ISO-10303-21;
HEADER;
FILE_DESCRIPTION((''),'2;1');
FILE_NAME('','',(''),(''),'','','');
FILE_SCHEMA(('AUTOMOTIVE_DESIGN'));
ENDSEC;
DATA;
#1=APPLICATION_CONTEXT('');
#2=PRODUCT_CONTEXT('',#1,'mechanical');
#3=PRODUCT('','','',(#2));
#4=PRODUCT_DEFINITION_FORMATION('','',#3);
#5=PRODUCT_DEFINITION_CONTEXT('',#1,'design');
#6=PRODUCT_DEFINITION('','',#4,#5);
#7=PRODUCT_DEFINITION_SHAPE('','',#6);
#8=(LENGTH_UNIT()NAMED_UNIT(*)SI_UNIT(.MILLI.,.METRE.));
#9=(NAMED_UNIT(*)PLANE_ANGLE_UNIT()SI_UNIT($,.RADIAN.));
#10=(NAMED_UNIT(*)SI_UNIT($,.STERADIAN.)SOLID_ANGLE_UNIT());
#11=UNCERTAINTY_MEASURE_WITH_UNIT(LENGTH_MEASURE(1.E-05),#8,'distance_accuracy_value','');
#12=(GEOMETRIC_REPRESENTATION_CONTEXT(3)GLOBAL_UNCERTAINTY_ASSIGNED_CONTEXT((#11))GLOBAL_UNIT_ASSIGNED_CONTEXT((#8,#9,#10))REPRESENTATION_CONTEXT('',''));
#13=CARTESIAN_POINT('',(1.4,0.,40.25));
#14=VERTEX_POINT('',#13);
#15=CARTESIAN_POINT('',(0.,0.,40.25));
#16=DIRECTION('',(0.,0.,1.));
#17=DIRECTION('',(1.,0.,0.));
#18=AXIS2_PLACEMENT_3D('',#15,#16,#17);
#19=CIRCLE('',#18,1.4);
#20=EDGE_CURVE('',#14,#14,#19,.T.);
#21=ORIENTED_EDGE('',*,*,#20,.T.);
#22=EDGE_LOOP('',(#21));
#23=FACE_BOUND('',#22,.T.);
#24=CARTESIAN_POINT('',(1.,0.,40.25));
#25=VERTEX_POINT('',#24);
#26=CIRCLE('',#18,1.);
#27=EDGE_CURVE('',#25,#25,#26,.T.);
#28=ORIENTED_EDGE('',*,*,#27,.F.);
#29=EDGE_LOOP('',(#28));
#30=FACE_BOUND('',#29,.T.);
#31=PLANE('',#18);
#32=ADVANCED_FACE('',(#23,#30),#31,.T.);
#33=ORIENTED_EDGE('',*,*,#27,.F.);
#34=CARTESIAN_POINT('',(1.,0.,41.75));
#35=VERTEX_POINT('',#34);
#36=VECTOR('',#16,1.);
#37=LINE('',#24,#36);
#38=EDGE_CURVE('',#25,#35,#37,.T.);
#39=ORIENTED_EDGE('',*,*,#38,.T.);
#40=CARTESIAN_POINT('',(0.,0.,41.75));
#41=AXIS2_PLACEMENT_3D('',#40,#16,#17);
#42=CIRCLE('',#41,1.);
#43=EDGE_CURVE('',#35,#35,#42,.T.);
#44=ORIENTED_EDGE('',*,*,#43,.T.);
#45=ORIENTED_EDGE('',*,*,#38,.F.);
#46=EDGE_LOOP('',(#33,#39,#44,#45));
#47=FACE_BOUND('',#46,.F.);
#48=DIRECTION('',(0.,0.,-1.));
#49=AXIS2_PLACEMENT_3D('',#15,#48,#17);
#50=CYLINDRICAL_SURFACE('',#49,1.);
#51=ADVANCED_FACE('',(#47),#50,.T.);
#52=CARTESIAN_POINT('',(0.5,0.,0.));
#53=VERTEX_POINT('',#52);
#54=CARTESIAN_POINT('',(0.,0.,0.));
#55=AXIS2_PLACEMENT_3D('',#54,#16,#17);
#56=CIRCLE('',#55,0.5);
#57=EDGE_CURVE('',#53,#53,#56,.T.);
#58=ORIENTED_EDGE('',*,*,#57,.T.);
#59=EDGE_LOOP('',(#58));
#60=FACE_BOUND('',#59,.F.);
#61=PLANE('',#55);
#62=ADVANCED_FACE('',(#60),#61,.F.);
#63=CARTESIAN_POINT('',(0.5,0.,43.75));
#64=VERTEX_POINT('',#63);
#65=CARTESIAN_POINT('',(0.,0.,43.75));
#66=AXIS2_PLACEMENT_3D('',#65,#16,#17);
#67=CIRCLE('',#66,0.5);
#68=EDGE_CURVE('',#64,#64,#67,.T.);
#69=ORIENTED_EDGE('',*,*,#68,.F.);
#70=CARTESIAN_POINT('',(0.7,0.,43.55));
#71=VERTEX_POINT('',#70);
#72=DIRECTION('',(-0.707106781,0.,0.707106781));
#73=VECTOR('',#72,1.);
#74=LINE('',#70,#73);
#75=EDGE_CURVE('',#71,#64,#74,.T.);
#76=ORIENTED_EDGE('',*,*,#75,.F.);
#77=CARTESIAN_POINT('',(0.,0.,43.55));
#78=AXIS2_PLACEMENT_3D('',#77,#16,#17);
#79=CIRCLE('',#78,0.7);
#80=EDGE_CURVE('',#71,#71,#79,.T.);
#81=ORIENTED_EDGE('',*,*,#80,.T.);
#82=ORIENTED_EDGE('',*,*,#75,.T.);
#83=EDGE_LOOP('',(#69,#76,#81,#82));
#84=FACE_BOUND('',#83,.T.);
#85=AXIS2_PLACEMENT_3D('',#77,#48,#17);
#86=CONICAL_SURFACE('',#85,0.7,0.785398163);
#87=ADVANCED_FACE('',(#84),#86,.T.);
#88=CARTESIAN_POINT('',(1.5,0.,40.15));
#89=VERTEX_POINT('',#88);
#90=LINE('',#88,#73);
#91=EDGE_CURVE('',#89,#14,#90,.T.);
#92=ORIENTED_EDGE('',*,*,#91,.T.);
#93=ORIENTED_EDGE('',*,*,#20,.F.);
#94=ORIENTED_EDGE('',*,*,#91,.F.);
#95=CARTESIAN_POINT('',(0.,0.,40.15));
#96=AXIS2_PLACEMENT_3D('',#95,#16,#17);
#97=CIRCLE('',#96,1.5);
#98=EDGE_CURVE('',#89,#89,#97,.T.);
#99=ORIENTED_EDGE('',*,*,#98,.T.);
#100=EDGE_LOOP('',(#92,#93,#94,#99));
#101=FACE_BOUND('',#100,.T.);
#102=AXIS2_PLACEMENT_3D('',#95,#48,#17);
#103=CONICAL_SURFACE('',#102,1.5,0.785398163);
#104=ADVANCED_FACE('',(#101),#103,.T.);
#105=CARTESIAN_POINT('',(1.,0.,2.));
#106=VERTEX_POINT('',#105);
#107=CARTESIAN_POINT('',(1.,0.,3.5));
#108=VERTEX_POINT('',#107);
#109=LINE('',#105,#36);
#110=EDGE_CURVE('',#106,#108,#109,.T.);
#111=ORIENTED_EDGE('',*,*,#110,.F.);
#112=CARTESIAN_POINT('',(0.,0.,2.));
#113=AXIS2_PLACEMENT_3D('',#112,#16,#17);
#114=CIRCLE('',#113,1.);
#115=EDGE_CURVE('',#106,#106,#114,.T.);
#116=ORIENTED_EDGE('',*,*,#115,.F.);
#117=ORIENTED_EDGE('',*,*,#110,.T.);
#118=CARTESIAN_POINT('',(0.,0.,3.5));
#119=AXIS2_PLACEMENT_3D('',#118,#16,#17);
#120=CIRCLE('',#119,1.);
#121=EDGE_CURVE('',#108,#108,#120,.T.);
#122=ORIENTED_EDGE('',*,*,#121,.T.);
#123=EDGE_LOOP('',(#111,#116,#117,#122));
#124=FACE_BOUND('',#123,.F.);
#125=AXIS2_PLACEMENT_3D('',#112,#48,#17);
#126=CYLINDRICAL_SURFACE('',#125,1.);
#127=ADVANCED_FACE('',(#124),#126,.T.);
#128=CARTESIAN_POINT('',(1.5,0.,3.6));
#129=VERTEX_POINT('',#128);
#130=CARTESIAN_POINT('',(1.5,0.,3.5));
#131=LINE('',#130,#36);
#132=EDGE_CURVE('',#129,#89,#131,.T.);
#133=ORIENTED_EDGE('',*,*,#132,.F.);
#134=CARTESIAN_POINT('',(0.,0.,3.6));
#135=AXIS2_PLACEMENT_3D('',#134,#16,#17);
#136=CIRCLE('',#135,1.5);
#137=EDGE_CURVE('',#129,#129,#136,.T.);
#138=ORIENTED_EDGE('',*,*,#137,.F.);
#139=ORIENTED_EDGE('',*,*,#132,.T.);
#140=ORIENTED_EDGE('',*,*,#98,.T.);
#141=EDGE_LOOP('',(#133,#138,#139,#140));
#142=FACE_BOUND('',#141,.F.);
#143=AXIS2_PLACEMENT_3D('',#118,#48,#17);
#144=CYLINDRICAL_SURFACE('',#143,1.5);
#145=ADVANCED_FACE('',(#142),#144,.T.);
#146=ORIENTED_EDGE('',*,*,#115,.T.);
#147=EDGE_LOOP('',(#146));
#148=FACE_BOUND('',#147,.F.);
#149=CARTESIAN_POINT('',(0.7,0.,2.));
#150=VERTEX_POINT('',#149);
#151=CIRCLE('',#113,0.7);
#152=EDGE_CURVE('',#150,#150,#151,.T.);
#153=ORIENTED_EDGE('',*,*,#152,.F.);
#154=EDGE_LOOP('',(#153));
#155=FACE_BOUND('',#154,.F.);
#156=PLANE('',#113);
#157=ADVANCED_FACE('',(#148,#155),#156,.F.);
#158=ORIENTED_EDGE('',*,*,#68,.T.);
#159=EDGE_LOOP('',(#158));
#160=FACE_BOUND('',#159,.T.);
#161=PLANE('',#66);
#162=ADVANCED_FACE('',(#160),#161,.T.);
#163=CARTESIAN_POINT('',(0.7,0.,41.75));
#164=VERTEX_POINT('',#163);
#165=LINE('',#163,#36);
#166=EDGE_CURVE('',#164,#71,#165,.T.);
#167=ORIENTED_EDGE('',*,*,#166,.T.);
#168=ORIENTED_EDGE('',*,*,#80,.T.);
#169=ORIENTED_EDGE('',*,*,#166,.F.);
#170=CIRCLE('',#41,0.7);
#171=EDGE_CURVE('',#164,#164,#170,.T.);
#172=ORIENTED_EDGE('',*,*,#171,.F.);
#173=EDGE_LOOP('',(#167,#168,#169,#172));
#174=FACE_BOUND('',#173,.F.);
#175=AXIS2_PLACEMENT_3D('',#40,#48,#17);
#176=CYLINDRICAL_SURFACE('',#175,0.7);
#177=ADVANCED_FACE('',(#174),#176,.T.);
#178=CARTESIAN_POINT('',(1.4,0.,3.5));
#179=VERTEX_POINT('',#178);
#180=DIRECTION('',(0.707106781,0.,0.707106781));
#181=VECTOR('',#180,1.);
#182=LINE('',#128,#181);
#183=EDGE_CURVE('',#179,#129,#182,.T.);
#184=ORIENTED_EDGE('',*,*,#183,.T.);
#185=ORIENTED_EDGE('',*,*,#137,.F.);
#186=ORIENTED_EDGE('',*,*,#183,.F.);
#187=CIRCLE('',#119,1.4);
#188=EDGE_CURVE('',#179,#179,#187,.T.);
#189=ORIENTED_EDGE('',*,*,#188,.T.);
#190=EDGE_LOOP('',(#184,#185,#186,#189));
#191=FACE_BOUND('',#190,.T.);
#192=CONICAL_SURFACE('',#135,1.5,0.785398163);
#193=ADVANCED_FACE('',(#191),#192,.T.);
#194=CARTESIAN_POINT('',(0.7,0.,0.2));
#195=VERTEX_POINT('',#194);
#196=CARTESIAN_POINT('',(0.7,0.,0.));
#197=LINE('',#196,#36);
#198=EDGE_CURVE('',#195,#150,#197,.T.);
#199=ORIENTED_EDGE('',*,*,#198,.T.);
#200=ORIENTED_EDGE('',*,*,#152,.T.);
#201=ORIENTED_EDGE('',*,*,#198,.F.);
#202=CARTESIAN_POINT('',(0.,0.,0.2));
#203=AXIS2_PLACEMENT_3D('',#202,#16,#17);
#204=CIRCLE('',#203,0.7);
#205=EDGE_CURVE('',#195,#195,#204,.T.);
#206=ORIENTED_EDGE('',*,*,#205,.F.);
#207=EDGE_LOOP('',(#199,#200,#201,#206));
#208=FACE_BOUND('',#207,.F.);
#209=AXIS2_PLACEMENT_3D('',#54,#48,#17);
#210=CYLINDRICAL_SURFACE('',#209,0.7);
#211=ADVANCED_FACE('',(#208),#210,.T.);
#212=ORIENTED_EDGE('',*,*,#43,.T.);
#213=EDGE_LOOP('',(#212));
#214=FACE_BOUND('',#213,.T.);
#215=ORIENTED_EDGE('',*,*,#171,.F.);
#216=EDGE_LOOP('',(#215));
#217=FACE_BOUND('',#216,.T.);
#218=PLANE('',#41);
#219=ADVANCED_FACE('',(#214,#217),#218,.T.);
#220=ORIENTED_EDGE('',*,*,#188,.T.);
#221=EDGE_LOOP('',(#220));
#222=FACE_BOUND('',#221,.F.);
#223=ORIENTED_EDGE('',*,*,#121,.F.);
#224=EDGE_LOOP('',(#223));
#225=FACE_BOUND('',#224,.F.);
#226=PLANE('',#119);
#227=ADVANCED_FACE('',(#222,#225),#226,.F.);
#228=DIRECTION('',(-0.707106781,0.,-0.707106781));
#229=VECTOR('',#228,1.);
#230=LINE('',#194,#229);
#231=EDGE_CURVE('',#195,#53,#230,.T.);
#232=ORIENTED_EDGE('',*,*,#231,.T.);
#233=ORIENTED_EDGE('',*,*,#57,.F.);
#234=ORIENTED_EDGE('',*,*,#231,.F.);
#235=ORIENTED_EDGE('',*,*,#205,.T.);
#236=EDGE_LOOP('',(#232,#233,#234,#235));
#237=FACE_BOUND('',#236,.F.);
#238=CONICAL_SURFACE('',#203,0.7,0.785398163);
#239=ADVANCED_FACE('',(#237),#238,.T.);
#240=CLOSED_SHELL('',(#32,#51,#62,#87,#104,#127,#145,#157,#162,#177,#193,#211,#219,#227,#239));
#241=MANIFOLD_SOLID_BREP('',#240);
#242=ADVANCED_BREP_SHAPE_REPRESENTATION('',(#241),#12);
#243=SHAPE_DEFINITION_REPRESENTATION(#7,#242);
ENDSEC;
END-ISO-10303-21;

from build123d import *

# Parameters (mm, degrees)
F0_R     = 0.7
F1_DEPTH = 2
F2_R     = 1
F2_R_2   = 0.7
F3_DEPTH = 1.5
F4_R     = 1.5
F4_R_2   = 1
F5_DEPTH = 36.75
F6_R     = 1
F7_DEPTH = 1.5
F8_R     = 0.7
F9_DEPTH = 2
F10_SIZE = 0.2
F11_SIZE = 0.1


with BuildPart() as f1:
    # F0 (on Top) → F1 (new body)
    with BuildSketch(Plane.XY):
        Circle(F0_R)
    extrude(amount=F1_DEPTH)

    # F2 (on face) → F3 (join)
    with BuildSketch(Plane.XY.offset(2)):
        Circle(F2_R)
        Circle(F2_R_2, mode=Mode.SUBTRACT)
        Circle(F2_R_2)
    extrude(amount=F3_DEPTH)

    # F4 (on face) → F5 (join)
    with BuildSketch(Plane.XY.offset(3.5)):
        Circle(F4_R)
        Circle(F4_R_2, mode=Mode.SUBTRACT)
        Circle(F4_R_2)
    extrude(amount=F5_DEPTH)

    # F6 (on face) → F7 (join)
    with BuildSketch(Plane.XY.offset(40.25)):
        Circle(F6_R)
    extrude(amount=F7_DEPTH)

    # F8 (on face) → F9 (join)
    with BuildSketch(Plane.XY.offset(41.75)):
        Circle(F8_R)
    extrude(amount=F9_DEPTH)

    # F10
    f10_edges = [f1.edges().sort_by_distance(p)[0] for p in [
        (-0.7, 0, 0),
        (-0.7, 0, 43.75),
    ]]
    chamfer(f10_edges, length=F10_SIZE)

    # F11
    f11_edges = [f1.edges().sort_by_distance(p)[0] for p in [
        (-1.5, 0, 40.25),
        (-1.5, 0, 3.5),
    ]]
    chamfer(f11_edges, length=F11_SIZE)


solid = f1.part
